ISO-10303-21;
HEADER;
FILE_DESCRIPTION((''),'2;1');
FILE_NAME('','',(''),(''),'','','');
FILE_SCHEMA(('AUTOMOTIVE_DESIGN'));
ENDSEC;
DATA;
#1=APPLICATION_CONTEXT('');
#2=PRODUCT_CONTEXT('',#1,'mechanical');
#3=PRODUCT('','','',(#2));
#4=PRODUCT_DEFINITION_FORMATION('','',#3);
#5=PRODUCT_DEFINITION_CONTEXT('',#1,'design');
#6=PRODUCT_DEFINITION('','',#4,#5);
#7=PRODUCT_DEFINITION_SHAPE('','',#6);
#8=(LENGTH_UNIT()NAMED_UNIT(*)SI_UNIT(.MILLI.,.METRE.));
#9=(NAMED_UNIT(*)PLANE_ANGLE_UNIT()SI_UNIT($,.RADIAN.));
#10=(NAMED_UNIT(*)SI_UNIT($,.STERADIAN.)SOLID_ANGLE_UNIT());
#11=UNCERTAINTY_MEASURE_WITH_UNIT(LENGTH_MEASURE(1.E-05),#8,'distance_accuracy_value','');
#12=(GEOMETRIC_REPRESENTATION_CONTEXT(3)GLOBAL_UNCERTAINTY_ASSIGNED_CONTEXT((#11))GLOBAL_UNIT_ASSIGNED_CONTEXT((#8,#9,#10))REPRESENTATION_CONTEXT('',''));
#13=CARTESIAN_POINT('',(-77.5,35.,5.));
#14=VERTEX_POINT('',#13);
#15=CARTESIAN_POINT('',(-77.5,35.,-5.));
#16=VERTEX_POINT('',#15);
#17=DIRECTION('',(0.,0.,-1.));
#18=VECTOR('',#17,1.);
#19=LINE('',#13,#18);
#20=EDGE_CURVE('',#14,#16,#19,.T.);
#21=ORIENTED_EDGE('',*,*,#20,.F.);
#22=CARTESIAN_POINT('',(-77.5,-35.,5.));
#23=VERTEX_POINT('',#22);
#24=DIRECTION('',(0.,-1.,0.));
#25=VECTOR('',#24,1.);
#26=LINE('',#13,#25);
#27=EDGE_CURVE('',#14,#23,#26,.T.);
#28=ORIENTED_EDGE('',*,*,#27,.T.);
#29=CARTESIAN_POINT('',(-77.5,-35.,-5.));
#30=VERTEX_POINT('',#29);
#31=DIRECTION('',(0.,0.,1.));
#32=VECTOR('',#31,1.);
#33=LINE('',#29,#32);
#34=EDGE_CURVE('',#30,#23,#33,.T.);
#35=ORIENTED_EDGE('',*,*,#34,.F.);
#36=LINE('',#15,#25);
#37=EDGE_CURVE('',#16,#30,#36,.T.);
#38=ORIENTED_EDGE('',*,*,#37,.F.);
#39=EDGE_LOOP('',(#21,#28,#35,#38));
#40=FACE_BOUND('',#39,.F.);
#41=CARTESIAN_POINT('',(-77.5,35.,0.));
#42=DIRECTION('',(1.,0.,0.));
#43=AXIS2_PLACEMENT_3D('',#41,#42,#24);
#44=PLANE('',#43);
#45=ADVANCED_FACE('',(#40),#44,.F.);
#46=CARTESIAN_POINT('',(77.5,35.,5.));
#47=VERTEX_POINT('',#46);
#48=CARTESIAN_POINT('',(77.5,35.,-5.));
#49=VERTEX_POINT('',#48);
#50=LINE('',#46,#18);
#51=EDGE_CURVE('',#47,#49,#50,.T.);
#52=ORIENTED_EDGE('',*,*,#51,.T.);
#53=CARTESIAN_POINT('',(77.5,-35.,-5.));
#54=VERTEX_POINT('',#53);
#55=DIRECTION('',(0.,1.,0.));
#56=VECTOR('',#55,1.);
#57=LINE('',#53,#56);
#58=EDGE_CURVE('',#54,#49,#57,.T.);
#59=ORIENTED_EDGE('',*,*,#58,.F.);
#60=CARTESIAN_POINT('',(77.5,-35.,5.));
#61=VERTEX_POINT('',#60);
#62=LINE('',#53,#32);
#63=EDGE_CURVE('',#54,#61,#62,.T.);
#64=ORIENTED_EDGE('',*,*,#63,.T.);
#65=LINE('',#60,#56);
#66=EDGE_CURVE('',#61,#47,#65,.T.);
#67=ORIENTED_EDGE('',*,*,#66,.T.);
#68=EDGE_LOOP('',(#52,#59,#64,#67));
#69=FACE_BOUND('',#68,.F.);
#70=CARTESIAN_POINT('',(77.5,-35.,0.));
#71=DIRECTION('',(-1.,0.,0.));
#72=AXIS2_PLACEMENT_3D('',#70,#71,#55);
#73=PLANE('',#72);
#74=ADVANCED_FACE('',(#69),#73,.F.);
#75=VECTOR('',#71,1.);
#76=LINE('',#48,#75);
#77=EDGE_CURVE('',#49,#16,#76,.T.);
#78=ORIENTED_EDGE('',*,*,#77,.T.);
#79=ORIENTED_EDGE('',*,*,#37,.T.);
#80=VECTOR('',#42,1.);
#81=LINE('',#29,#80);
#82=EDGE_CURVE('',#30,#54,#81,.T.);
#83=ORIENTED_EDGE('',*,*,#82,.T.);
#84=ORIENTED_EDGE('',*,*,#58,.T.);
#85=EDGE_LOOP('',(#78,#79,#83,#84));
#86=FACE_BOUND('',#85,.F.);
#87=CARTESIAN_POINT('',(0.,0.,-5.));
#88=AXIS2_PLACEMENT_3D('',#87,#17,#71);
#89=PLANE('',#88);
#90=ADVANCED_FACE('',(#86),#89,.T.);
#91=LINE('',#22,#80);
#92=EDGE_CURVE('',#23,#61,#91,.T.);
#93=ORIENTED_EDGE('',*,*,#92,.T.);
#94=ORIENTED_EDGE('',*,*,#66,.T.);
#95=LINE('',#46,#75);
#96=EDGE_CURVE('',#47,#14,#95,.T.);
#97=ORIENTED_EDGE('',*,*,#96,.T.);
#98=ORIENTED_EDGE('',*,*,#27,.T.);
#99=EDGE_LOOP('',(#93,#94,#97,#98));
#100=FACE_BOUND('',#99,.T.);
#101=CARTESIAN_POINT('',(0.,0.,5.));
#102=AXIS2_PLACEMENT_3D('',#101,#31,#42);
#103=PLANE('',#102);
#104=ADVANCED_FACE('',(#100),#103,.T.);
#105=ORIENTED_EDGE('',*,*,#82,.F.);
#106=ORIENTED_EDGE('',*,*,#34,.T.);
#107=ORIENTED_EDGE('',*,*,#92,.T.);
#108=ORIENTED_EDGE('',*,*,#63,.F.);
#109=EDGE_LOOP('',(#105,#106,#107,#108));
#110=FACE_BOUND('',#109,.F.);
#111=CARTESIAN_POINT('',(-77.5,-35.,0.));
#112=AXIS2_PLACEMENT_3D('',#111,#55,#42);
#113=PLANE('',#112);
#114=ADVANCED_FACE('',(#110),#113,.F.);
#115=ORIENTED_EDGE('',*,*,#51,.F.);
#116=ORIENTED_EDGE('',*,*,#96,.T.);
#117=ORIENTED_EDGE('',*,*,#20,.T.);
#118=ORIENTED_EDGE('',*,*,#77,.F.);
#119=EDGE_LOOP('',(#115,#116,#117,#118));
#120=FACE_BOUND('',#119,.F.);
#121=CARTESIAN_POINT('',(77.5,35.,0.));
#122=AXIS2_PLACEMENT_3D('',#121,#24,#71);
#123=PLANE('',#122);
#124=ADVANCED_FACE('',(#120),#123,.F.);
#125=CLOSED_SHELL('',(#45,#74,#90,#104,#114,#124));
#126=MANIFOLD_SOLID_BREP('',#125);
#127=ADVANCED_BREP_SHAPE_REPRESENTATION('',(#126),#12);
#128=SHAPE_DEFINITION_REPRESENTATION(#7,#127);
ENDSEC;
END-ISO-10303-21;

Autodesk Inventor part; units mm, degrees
ref_plane "YZ Plane" through (0, 0, 0) normal (1, 0, 0) x (0, 1, 0)
ref_plane "XZ Plane" through (0, 0, 0) normal (0, 1, 0) x (-1, 0, 0)
ref_plane "XY Plane" through (0, 0, 0) normal (0, 0, 1) x (1, 0, 0)
sketch "スケッチ1" plane through (0, 0, 0) normal (0, 0, 1) x (1, 0, 0)
  line L0 (-77.5, -35) -> (77.5, -35)
  line L1 (77.5, -35) -> (77.5, 35)
  line L2 (77.5, 35) -> (-77.5, 35)
  line L3 (-77.5, 35) -> (-77.5, -35)
  line L4 (-77.5, -35) -> (77.5, 35) construction
  line L5 (77.5, -35) -> (-77.5, 35) construction
  point P0 (0, 0)
  dimension "d0" = 155
  dimension "d1" = 70
extrude "押し出し1" add sketch "スケッチ1" along normal blind 5
mirror "ミラー1" about plane through (0, 0, 0) normal (0, 0, -1) of "押し出し1"
properties part number "スマホ"
